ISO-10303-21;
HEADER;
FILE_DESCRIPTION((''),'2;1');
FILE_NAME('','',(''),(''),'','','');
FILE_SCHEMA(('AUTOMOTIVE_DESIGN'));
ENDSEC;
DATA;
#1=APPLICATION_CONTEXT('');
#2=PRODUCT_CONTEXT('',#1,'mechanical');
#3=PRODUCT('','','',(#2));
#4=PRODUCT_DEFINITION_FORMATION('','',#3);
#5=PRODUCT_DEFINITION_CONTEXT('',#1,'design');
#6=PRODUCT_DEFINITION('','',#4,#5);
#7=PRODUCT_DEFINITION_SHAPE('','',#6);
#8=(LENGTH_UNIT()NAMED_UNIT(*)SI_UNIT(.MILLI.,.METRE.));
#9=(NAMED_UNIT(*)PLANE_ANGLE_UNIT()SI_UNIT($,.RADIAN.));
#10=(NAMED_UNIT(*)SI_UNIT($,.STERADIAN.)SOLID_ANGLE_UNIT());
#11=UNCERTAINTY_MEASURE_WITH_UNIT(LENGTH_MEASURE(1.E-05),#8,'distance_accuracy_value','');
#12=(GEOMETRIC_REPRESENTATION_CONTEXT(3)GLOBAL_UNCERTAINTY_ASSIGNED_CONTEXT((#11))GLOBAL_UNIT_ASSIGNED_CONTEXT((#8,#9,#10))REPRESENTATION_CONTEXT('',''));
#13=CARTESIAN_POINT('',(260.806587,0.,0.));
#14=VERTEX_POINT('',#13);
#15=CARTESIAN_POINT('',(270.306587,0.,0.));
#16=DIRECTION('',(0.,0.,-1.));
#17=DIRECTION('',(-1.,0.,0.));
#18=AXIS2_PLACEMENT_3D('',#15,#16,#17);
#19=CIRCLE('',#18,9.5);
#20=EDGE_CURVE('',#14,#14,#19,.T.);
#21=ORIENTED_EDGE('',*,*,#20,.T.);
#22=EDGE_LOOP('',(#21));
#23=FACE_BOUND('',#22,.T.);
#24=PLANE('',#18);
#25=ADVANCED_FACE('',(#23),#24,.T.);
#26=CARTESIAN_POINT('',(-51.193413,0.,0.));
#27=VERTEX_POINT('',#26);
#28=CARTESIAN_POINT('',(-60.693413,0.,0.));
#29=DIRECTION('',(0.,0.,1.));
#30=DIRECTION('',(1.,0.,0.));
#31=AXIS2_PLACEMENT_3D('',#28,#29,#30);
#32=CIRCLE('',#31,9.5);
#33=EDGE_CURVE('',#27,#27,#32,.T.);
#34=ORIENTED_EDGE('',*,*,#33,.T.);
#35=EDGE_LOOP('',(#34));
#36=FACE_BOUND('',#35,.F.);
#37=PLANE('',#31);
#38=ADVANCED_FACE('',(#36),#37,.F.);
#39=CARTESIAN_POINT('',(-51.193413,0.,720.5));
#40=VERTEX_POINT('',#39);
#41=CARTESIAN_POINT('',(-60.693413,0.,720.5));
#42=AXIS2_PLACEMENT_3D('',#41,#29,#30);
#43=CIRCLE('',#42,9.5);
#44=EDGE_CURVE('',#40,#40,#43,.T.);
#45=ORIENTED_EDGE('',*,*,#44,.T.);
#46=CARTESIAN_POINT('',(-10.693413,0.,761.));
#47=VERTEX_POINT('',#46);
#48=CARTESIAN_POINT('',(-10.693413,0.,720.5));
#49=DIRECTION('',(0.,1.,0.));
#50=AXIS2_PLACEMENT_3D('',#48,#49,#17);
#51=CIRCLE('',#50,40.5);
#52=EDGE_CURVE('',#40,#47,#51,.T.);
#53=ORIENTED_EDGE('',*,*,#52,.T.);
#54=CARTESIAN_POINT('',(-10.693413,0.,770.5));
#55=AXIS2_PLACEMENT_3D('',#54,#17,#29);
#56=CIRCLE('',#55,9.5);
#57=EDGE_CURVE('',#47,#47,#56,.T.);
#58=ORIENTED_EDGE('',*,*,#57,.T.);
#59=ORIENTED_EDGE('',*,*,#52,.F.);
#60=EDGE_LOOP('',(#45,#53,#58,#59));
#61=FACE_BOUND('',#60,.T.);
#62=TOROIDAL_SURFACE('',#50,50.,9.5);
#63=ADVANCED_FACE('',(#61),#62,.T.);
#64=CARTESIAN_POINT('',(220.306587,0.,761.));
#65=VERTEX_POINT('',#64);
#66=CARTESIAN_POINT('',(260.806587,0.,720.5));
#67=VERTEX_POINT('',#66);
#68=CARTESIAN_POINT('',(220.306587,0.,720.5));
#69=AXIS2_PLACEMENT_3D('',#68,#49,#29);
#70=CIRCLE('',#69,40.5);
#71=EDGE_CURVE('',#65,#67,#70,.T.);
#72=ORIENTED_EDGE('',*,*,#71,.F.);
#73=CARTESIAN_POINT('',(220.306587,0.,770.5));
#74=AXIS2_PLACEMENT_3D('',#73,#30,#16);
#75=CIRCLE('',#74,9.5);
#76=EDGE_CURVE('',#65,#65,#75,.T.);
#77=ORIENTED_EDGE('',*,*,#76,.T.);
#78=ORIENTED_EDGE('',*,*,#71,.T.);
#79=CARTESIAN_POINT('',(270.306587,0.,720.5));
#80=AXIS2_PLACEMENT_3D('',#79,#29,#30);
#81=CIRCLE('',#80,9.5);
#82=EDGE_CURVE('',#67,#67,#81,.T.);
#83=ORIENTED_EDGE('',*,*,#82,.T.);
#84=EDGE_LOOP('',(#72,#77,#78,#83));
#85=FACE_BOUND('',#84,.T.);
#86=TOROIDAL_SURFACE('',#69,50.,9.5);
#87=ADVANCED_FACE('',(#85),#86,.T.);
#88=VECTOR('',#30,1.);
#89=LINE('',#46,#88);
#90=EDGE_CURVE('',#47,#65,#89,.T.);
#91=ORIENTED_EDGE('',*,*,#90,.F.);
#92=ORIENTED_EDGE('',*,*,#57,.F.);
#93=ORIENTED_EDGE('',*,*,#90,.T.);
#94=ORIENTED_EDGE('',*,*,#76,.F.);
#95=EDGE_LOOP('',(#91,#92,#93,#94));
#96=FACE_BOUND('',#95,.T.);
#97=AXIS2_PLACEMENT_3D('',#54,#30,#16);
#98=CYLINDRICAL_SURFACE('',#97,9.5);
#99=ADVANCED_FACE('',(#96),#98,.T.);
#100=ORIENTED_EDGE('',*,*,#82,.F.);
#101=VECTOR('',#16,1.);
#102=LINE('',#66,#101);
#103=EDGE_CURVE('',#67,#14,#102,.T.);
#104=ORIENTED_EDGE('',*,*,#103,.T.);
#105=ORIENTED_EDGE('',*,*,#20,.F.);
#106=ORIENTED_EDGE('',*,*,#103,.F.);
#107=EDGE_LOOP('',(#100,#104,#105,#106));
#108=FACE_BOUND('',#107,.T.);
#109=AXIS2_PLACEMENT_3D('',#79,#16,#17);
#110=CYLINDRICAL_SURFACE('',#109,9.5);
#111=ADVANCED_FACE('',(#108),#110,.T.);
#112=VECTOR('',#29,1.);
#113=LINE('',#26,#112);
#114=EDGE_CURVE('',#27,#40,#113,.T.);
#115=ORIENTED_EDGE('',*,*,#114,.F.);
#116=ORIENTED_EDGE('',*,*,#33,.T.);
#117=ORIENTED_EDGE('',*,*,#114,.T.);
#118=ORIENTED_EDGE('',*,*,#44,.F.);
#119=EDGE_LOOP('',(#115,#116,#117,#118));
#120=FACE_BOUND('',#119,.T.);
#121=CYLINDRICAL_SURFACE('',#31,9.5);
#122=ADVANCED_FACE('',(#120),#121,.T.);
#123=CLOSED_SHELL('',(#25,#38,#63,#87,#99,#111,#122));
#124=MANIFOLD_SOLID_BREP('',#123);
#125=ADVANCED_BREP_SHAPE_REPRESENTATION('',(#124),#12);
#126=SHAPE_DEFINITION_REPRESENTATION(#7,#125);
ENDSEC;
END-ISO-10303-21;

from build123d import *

# Parameters (mm, degrees)
F2_R = 9.5


with BuildPart() as f3:
    # F3: sweep along a path in F0
    with BuildLine(Plane.XZ) as f3_path:
        Line((-60.6934127808, 0), (-60.6934127808, 720.5))
        ThreePointArc((-60.6934127808, 720.5), (-46.0487518401, 755.8553390593), (-10.6934127808, 770.5))
        Line((-10.6934127808, 770.5), (220.3065872192, 770.5))
        ThreePointArc((220.3065872192, 770.5), (255.6619262786, 755.8553390593), (270.3065872192, 720.5))
        Line((270.3065872192, 720.5), (270.3065872192, 0))
    # F2 (on face) → F3 (sweep)
    with BuildSketch(Plane.XY):
        with Locations((-60.6934127808, 0)):
            Circle(F2_R)
    sweep(path=f3_path.line)


solid = f3.part
